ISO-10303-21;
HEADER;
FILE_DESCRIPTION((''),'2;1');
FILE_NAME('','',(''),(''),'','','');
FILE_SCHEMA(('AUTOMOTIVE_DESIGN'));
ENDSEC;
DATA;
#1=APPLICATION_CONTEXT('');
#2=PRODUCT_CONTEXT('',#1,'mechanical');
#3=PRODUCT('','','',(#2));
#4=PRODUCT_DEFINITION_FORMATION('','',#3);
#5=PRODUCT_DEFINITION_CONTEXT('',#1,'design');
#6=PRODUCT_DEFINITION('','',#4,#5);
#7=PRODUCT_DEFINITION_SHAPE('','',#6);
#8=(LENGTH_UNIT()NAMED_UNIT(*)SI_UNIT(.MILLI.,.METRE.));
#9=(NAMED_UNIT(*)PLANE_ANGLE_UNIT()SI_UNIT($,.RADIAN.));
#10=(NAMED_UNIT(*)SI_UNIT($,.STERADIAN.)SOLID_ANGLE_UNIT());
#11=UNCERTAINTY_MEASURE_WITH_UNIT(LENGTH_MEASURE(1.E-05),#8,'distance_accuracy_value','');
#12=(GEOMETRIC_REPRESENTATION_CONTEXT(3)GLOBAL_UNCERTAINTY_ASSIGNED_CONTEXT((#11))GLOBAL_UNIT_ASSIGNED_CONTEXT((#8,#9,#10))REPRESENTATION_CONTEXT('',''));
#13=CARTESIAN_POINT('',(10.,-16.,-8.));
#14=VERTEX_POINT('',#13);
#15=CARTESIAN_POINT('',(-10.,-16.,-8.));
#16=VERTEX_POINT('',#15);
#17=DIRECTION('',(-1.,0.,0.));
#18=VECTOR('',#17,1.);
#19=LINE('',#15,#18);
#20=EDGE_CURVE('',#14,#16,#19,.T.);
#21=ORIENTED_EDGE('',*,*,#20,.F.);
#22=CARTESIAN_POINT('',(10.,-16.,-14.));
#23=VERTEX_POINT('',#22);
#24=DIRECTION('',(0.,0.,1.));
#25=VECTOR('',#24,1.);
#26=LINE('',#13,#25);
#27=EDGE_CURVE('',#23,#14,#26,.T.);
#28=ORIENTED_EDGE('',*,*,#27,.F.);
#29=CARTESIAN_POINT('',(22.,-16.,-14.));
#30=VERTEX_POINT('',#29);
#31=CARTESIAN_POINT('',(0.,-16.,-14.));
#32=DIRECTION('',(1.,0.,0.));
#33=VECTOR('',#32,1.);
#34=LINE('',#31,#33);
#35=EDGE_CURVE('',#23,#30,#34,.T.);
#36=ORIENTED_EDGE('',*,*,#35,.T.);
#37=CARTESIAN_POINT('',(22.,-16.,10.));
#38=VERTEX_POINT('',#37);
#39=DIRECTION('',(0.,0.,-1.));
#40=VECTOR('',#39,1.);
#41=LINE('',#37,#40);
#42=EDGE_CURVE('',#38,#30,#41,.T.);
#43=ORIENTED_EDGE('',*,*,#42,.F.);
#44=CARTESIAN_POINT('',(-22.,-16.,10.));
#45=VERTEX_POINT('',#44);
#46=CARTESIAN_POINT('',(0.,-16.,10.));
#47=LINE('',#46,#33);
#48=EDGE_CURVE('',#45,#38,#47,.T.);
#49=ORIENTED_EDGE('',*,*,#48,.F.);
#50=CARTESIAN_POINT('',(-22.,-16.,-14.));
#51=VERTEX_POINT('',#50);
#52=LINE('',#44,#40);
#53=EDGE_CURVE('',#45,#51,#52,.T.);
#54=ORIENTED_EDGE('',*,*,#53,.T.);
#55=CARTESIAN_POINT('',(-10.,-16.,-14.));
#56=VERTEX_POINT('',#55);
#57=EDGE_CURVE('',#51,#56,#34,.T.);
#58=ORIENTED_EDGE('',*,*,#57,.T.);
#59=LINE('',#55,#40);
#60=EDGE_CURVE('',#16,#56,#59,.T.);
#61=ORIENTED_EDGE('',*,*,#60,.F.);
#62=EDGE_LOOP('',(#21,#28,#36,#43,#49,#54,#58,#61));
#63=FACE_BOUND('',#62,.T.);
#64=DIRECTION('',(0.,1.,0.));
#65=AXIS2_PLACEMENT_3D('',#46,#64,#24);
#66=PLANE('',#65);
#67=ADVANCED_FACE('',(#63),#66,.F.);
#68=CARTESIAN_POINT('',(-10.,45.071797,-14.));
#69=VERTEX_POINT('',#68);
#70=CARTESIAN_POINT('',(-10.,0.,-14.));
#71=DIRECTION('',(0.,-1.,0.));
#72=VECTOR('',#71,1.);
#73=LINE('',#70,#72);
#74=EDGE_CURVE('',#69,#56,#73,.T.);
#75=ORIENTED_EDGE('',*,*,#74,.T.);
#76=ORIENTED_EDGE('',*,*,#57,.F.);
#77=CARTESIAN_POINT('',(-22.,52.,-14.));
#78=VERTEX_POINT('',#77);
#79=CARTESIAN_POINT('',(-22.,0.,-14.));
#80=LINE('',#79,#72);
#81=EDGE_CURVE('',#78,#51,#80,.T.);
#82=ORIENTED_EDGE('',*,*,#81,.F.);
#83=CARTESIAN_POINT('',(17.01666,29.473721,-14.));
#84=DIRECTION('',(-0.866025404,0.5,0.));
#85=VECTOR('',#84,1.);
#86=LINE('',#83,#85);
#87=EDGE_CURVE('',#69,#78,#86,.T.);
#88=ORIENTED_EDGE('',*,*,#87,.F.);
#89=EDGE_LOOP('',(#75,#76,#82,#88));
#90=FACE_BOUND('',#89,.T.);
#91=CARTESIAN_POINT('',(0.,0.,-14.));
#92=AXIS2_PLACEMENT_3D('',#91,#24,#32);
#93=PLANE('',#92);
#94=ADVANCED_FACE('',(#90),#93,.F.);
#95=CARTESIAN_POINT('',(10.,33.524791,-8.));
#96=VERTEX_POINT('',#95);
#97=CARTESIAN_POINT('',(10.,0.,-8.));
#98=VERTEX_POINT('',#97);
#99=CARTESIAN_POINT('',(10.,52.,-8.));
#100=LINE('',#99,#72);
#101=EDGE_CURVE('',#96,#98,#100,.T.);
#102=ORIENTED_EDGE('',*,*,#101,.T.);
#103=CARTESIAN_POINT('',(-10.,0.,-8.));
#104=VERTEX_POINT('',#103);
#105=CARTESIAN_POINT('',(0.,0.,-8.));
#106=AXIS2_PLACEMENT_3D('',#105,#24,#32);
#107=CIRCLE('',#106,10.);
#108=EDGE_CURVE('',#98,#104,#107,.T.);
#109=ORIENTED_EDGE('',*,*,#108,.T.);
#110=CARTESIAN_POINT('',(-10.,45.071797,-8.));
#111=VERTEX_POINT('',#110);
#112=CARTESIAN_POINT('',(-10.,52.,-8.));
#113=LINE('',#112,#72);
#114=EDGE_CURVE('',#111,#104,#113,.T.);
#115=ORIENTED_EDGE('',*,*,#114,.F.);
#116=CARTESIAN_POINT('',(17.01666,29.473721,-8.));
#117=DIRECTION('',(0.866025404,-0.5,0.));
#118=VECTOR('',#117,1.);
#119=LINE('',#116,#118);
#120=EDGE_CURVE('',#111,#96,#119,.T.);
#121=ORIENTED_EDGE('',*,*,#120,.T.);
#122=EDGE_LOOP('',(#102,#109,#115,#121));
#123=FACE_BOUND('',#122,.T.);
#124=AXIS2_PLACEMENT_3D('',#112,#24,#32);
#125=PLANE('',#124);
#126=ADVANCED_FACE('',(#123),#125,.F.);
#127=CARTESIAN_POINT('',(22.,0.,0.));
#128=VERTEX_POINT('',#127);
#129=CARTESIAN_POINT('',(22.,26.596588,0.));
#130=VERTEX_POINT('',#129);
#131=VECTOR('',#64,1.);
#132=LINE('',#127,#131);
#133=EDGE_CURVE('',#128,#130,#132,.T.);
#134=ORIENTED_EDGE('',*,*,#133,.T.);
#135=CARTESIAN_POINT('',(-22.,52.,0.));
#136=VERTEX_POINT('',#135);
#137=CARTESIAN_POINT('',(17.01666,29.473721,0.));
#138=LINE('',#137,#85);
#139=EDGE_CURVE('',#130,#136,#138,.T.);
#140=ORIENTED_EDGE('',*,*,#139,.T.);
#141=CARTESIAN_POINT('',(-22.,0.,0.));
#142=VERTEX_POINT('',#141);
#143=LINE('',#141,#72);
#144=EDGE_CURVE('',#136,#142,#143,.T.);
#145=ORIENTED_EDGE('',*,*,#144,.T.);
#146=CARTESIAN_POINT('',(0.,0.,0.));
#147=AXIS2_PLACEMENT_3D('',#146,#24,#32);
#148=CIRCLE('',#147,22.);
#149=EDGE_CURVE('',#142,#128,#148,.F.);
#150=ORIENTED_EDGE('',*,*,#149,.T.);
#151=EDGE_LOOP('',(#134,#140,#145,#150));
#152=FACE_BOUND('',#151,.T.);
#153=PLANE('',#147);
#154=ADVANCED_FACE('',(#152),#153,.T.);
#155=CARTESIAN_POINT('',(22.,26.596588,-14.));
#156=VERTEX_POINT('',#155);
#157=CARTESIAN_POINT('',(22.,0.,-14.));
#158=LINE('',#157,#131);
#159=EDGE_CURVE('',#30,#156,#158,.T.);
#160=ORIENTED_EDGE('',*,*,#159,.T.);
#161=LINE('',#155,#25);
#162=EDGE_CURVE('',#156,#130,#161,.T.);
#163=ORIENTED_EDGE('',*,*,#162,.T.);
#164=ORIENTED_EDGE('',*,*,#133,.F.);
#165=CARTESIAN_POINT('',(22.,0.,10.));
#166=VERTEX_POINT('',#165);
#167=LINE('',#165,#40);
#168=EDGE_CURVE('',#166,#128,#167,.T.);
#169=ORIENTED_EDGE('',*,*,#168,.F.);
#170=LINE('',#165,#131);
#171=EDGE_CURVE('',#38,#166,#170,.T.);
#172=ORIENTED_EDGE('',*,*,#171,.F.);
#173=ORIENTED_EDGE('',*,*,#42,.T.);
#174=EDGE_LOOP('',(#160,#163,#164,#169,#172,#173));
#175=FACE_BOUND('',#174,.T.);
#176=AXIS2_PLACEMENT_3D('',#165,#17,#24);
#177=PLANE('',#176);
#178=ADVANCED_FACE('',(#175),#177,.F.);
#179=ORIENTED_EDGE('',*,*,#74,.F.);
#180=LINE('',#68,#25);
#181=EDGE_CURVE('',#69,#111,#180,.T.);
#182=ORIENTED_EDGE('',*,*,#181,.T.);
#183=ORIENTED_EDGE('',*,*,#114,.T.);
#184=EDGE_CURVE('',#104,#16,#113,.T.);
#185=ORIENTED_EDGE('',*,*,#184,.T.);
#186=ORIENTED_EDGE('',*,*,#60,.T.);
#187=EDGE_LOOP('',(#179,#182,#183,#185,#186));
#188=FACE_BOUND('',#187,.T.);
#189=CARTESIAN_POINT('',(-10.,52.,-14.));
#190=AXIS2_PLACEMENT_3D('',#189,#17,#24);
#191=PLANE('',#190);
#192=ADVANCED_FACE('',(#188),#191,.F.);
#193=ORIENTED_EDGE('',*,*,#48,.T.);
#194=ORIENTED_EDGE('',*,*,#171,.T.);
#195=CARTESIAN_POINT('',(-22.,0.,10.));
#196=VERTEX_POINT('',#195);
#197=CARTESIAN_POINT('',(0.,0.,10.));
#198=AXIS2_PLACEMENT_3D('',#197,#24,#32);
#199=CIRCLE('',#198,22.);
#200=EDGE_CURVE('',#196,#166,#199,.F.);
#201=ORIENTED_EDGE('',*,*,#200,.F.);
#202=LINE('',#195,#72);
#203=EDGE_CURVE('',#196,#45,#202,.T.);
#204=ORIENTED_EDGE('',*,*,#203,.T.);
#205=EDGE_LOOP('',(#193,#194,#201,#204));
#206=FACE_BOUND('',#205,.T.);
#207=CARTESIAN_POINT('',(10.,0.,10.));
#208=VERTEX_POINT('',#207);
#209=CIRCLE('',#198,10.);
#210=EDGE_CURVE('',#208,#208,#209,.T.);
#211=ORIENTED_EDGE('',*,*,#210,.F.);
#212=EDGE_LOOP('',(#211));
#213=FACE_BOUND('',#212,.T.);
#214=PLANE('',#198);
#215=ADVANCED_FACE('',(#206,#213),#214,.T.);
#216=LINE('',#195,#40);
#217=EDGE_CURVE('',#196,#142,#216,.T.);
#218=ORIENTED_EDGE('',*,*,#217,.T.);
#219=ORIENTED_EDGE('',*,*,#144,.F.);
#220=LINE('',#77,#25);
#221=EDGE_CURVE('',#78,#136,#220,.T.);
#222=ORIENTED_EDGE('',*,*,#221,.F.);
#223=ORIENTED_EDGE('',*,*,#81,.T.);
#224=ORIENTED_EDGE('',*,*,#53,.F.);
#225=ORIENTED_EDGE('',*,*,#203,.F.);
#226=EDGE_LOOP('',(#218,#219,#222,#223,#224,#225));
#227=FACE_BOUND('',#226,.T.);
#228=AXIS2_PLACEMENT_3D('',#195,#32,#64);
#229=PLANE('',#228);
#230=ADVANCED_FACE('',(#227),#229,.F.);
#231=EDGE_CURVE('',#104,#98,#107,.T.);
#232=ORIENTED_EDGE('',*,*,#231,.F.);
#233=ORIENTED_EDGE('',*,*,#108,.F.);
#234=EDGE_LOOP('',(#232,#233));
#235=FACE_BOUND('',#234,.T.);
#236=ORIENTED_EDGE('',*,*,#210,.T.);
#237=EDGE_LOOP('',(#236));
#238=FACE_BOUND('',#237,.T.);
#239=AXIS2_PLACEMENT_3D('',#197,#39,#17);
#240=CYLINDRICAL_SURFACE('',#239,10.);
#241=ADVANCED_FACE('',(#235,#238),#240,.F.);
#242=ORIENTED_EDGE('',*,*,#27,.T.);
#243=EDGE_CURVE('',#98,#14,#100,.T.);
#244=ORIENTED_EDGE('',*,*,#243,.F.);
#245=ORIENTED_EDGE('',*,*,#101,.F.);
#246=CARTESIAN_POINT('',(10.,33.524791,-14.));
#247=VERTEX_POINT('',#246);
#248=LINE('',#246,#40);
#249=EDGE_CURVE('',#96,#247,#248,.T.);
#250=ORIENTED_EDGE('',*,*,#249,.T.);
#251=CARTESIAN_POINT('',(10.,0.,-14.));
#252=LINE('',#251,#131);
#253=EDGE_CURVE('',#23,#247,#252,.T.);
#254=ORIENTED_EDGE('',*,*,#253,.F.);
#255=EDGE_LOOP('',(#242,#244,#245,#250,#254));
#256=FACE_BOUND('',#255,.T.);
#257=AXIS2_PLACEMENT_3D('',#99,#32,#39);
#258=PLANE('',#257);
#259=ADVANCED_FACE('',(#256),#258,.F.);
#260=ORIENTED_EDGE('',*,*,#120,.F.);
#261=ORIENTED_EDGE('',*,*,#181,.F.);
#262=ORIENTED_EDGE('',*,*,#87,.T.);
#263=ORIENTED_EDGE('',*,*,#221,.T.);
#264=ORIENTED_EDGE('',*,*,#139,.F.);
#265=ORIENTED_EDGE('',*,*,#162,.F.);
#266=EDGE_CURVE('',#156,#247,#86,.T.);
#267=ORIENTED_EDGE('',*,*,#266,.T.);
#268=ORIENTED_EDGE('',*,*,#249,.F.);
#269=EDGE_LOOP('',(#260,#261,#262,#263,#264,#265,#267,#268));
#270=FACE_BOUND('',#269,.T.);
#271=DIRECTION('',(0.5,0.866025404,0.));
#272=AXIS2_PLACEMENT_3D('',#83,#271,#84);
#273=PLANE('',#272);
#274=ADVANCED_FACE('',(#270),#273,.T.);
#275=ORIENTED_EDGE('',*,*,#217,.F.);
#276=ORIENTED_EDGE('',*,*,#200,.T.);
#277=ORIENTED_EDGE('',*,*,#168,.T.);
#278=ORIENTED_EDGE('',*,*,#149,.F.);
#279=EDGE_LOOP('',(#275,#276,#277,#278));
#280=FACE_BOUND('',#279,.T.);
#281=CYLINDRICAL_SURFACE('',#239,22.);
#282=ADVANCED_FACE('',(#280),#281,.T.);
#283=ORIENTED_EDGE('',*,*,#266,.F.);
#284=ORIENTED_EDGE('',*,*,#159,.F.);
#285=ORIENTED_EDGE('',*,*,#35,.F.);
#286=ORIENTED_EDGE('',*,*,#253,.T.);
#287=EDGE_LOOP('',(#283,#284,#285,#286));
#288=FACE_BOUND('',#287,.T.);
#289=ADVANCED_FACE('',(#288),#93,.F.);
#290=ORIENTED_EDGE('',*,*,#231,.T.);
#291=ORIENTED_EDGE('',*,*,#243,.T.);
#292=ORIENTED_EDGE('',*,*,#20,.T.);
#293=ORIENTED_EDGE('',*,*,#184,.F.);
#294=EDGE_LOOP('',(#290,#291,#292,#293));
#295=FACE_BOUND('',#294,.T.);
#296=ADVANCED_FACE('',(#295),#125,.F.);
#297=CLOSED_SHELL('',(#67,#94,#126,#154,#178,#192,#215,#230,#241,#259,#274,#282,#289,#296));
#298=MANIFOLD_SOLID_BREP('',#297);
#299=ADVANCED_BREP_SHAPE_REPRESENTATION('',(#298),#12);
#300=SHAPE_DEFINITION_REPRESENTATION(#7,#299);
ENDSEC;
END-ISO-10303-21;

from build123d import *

# Parameters (mm, degrees)
SKETCH1_R           = 10
BOSS_EXTRUDE1_DEPTH = 10
BOSS_EXTRUDE2_START = -14
SKETCH1_3_R         = 10
BOSS_EXTRUDE2_DEPTH = 14
SKETCH3_W           = 20
SKETCH3_H           = 6
CUT_EXTRUDE2_DEPTH  = 73.828565824


with BuildPart() as part:
    # Sketch1 → Boss-Extrude1 (new body)
    with BuildSketch(Plane.XY):
        with BuildLine():
            Line((-22, 0), (-22, -16))
            Line((-22, -16), (22, -16))
            Line((22, -16), (22, 0))
            ThreePointArc((22, 0), (0, 22), (-22, 0))
        make_face()
        Circle(SKETCH1_R, mode=Mode.SUBTRACT)
    extrude(amount=BOSS_EXTRUDE1_DEPTH)

    # Sketch1<3> → Boss-Extrude2 (add)
    with BuildSketch(Plane.XY.offset(BOSS_EXTRUDE2_START)):
        Polygon((-22, -16), (22, -16), (22, 26.596588156), (-22, 52), align=None)
        Circle(SKETCH1_3_R, mode=Mode.SUBTRACT)
    extrude(amount=BOSS_EXTRUDE2_DEPTH)

    # Sketch3 → Cut-Extrude2 (cut, through all)
    with BuildSketch(Plane.XZ.offset(16)):
        with Locations((0, -11)):
            Rectangle(SKETCH3_W, SKETCH3_H)
    extrude(amount=-CUT_EXTRUDE2_DEPTH, mode=Mode.SUBTRACT)


solid = part.part
